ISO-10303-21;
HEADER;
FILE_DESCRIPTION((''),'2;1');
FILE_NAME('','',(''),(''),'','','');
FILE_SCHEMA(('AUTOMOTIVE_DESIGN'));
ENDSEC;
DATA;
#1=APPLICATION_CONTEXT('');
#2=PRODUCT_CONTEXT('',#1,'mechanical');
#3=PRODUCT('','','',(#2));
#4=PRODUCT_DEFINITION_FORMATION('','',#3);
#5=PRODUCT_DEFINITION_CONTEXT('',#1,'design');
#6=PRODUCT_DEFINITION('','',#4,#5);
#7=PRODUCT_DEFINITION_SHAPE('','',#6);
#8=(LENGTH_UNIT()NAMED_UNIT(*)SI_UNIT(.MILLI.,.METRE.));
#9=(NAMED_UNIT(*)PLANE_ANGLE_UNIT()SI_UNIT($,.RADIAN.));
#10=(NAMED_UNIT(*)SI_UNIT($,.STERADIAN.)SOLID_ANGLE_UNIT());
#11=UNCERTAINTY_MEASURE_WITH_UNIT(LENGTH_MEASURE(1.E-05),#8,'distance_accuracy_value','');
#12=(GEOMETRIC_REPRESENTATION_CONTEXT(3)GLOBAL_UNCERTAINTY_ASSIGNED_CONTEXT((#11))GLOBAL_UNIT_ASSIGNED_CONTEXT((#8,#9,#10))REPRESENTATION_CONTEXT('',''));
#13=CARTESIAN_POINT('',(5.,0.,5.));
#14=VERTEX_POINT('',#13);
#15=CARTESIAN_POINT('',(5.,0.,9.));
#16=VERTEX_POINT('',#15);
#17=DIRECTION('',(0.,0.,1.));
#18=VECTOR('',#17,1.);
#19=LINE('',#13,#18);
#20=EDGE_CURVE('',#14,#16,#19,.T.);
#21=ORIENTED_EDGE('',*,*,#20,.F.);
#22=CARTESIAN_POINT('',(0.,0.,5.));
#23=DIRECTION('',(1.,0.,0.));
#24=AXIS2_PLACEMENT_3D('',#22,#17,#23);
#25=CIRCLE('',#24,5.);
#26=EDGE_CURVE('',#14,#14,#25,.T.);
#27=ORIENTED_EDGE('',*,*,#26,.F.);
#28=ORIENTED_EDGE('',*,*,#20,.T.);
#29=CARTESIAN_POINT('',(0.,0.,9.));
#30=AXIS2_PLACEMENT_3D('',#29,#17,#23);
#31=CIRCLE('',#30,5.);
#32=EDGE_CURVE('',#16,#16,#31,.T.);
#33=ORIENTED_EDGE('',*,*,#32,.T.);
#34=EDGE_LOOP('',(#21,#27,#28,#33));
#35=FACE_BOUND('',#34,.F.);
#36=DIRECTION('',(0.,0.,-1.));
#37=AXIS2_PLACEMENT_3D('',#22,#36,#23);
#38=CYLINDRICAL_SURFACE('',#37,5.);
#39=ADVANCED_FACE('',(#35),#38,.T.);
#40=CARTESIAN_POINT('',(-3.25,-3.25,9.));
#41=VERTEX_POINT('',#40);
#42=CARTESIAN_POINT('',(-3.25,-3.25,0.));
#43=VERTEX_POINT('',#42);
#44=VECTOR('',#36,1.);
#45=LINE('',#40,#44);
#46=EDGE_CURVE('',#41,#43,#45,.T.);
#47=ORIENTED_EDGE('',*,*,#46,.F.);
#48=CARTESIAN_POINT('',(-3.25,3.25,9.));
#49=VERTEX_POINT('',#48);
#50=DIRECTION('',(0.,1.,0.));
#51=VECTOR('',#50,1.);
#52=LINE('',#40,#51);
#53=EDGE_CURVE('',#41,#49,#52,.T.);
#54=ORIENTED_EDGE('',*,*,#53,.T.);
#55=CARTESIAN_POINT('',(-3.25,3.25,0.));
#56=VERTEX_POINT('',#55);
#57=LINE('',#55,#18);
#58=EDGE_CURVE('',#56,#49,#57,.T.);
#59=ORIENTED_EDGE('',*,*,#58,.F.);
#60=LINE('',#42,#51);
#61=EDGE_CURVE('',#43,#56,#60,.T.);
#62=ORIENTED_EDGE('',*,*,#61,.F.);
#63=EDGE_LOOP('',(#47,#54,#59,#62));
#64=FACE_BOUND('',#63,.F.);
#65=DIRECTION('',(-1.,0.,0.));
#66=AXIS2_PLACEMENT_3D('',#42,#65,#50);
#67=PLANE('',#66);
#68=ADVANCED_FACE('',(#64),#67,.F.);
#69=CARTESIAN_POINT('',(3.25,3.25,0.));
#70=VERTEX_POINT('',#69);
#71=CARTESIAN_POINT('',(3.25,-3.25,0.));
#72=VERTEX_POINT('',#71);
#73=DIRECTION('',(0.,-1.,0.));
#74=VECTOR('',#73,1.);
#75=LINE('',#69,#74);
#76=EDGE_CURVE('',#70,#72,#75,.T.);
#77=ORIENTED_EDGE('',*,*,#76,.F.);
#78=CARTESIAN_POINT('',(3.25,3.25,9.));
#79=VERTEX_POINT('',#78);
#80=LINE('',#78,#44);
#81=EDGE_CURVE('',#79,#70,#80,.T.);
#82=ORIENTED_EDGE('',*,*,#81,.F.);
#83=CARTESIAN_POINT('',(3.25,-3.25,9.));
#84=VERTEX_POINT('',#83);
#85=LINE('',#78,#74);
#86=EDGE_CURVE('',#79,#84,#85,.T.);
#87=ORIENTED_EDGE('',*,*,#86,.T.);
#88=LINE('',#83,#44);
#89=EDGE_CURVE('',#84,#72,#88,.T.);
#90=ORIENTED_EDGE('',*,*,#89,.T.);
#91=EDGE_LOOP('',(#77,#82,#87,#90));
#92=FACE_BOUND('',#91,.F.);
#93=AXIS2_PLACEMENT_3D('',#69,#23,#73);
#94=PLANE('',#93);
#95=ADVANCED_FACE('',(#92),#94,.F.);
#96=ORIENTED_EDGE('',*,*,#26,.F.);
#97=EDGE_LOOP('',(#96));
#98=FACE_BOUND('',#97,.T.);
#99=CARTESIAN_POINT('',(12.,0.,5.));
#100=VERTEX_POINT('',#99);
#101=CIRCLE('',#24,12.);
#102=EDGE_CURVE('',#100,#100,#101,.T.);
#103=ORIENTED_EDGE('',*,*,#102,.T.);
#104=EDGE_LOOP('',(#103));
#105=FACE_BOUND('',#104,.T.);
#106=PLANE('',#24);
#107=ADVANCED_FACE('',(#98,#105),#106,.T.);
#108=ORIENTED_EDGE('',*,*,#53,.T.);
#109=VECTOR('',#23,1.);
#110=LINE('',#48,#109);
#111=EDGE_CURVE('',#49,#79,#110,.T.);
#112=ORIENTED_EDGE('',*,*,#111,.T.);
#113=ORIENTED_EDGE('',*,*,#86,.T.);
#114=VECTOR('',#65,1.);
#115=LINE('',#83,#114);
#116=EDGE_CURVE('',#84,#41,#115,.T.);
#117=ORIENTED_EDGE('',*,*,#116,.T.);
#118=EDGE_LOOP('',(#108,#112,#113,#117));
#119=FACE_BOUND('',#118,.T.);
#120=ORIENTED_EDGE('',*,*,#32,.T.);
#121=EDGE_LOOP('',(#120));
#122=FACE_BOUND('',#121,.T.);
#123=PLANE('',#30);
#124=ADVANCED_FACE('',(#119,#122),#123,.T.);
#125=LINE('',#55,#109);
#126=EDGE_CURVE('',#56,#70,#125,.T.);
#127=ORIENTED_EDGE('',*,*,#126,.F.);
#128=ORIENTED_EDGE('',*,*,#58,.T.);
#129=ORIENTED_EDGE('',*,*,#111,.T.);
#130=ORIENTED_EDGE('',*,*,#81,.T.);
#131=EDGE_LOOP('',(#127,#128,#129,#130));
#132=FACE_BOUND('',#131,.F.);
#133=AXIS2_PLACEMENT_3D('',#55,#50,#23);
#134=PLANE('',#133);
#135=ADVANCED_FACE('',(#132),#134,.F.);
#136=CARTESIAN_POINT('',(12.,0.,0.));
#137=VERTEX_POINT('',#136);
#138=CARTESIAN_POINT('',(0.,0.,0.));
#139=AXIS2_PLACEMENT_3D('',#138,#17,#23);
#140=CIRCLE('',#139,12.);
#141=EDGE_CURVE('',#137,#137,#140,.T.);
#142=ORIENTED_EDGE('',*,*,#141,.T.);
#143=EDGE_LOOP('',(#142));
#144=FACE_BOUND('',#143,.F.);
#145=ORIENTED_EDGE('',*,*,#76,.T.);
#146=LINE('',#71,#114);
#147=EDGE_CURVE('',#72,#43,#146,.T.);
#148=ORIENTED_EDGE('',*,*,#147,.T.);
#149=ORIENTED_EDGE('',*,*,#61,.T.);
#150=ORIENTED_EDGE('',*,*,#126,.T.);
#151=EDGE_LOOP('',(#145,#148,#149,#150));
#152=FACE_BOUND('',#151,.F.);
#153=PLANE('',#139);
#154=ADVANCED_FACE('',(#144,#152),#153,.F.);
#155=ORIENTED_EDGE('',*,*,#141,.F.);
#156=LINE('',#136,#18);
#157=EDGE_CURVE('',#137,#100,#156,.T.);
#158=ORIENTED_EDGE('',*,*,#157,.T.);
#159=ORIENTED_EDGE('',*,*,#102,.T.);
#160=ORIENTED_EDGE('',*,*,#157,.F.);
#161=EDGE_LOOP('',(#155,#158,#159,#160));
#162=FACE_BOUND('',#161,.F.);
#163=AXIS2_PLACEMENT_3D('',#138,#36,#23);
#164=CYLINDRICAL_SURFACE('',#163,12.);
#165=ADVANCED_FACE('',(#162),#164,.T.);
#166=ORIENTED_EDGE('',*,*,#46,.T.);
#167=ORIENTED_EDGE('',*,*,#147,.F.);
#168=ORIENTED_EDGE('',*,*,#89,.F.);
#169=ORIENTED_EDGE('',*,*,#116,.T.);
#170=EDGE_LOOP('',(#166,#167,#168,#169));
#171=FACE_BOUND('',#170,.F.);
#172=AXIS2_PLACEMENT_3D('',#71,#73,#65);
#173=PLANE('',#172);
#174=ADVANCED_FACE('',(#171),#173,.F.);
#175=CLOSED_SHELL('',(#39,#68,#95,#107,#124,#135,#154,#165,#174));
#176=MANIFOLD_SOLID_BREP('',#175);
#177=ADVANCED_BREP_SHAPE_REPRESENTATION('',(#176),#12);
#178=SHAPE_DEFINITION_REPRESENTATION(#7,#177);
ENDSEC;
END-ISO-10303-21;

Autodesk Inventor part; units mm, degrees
ref_plane "YZ Plane" through (0, 0, 0) normal (1, 0, 0) x (0, 1, 0)
ref_plane "XZ Plane" through (0, 0, 0) normal (0, 1, 0) x (-1, 0, 0)
ref_plane "XY Plane" through (0, 0, 0) normal (0, 0, 1) x (1, 0, 0)
sketch "Sketch1" plane through (0, 0, 0) normal (0, 0, 1) x (1, 0, 0)
  circle A0 centre (0, 0) radius 12
  line L0 (-3.25, 3.25) -> (3.25, 3.25)
  line L1 (3.25, 3.25) -> (3.25, -3.25)
  line L2 (3.25, -3.25) -> (-3.25, -3.25)
  line L3 (-3.25, -3.25) -> (-3.25, 3.25)
  dimension "d0" = 24
  dimension "d1" = 6.5
extrude "Extrusion1" add sketch "Sketch1" along normal blind 5
sketch "Sketch2" plane through (0, 0, 5) normal (0, 0, 1) x (1, 0, 0)
  circle A0 centre (0, 0) radius 5
  line L0 (-3.25, 3.25) -> (3.25, 3.25) projected
  line L1 (3.25, 3.25) -> (3.25, -3.25)
  line L2 (3.25, -3.25) -> (-3.25, -3.25)
  line L3 (-3.25, -3.25) -> (-3.25, 3.25)
  line L4 (-3.25, 3.25) -> (3.25, 3.25)
  point P0 (0, 3.25)
extrude "Extrusion2" add sketch "Sketch2" along normal blind 4
properties part number "secondwheel"
